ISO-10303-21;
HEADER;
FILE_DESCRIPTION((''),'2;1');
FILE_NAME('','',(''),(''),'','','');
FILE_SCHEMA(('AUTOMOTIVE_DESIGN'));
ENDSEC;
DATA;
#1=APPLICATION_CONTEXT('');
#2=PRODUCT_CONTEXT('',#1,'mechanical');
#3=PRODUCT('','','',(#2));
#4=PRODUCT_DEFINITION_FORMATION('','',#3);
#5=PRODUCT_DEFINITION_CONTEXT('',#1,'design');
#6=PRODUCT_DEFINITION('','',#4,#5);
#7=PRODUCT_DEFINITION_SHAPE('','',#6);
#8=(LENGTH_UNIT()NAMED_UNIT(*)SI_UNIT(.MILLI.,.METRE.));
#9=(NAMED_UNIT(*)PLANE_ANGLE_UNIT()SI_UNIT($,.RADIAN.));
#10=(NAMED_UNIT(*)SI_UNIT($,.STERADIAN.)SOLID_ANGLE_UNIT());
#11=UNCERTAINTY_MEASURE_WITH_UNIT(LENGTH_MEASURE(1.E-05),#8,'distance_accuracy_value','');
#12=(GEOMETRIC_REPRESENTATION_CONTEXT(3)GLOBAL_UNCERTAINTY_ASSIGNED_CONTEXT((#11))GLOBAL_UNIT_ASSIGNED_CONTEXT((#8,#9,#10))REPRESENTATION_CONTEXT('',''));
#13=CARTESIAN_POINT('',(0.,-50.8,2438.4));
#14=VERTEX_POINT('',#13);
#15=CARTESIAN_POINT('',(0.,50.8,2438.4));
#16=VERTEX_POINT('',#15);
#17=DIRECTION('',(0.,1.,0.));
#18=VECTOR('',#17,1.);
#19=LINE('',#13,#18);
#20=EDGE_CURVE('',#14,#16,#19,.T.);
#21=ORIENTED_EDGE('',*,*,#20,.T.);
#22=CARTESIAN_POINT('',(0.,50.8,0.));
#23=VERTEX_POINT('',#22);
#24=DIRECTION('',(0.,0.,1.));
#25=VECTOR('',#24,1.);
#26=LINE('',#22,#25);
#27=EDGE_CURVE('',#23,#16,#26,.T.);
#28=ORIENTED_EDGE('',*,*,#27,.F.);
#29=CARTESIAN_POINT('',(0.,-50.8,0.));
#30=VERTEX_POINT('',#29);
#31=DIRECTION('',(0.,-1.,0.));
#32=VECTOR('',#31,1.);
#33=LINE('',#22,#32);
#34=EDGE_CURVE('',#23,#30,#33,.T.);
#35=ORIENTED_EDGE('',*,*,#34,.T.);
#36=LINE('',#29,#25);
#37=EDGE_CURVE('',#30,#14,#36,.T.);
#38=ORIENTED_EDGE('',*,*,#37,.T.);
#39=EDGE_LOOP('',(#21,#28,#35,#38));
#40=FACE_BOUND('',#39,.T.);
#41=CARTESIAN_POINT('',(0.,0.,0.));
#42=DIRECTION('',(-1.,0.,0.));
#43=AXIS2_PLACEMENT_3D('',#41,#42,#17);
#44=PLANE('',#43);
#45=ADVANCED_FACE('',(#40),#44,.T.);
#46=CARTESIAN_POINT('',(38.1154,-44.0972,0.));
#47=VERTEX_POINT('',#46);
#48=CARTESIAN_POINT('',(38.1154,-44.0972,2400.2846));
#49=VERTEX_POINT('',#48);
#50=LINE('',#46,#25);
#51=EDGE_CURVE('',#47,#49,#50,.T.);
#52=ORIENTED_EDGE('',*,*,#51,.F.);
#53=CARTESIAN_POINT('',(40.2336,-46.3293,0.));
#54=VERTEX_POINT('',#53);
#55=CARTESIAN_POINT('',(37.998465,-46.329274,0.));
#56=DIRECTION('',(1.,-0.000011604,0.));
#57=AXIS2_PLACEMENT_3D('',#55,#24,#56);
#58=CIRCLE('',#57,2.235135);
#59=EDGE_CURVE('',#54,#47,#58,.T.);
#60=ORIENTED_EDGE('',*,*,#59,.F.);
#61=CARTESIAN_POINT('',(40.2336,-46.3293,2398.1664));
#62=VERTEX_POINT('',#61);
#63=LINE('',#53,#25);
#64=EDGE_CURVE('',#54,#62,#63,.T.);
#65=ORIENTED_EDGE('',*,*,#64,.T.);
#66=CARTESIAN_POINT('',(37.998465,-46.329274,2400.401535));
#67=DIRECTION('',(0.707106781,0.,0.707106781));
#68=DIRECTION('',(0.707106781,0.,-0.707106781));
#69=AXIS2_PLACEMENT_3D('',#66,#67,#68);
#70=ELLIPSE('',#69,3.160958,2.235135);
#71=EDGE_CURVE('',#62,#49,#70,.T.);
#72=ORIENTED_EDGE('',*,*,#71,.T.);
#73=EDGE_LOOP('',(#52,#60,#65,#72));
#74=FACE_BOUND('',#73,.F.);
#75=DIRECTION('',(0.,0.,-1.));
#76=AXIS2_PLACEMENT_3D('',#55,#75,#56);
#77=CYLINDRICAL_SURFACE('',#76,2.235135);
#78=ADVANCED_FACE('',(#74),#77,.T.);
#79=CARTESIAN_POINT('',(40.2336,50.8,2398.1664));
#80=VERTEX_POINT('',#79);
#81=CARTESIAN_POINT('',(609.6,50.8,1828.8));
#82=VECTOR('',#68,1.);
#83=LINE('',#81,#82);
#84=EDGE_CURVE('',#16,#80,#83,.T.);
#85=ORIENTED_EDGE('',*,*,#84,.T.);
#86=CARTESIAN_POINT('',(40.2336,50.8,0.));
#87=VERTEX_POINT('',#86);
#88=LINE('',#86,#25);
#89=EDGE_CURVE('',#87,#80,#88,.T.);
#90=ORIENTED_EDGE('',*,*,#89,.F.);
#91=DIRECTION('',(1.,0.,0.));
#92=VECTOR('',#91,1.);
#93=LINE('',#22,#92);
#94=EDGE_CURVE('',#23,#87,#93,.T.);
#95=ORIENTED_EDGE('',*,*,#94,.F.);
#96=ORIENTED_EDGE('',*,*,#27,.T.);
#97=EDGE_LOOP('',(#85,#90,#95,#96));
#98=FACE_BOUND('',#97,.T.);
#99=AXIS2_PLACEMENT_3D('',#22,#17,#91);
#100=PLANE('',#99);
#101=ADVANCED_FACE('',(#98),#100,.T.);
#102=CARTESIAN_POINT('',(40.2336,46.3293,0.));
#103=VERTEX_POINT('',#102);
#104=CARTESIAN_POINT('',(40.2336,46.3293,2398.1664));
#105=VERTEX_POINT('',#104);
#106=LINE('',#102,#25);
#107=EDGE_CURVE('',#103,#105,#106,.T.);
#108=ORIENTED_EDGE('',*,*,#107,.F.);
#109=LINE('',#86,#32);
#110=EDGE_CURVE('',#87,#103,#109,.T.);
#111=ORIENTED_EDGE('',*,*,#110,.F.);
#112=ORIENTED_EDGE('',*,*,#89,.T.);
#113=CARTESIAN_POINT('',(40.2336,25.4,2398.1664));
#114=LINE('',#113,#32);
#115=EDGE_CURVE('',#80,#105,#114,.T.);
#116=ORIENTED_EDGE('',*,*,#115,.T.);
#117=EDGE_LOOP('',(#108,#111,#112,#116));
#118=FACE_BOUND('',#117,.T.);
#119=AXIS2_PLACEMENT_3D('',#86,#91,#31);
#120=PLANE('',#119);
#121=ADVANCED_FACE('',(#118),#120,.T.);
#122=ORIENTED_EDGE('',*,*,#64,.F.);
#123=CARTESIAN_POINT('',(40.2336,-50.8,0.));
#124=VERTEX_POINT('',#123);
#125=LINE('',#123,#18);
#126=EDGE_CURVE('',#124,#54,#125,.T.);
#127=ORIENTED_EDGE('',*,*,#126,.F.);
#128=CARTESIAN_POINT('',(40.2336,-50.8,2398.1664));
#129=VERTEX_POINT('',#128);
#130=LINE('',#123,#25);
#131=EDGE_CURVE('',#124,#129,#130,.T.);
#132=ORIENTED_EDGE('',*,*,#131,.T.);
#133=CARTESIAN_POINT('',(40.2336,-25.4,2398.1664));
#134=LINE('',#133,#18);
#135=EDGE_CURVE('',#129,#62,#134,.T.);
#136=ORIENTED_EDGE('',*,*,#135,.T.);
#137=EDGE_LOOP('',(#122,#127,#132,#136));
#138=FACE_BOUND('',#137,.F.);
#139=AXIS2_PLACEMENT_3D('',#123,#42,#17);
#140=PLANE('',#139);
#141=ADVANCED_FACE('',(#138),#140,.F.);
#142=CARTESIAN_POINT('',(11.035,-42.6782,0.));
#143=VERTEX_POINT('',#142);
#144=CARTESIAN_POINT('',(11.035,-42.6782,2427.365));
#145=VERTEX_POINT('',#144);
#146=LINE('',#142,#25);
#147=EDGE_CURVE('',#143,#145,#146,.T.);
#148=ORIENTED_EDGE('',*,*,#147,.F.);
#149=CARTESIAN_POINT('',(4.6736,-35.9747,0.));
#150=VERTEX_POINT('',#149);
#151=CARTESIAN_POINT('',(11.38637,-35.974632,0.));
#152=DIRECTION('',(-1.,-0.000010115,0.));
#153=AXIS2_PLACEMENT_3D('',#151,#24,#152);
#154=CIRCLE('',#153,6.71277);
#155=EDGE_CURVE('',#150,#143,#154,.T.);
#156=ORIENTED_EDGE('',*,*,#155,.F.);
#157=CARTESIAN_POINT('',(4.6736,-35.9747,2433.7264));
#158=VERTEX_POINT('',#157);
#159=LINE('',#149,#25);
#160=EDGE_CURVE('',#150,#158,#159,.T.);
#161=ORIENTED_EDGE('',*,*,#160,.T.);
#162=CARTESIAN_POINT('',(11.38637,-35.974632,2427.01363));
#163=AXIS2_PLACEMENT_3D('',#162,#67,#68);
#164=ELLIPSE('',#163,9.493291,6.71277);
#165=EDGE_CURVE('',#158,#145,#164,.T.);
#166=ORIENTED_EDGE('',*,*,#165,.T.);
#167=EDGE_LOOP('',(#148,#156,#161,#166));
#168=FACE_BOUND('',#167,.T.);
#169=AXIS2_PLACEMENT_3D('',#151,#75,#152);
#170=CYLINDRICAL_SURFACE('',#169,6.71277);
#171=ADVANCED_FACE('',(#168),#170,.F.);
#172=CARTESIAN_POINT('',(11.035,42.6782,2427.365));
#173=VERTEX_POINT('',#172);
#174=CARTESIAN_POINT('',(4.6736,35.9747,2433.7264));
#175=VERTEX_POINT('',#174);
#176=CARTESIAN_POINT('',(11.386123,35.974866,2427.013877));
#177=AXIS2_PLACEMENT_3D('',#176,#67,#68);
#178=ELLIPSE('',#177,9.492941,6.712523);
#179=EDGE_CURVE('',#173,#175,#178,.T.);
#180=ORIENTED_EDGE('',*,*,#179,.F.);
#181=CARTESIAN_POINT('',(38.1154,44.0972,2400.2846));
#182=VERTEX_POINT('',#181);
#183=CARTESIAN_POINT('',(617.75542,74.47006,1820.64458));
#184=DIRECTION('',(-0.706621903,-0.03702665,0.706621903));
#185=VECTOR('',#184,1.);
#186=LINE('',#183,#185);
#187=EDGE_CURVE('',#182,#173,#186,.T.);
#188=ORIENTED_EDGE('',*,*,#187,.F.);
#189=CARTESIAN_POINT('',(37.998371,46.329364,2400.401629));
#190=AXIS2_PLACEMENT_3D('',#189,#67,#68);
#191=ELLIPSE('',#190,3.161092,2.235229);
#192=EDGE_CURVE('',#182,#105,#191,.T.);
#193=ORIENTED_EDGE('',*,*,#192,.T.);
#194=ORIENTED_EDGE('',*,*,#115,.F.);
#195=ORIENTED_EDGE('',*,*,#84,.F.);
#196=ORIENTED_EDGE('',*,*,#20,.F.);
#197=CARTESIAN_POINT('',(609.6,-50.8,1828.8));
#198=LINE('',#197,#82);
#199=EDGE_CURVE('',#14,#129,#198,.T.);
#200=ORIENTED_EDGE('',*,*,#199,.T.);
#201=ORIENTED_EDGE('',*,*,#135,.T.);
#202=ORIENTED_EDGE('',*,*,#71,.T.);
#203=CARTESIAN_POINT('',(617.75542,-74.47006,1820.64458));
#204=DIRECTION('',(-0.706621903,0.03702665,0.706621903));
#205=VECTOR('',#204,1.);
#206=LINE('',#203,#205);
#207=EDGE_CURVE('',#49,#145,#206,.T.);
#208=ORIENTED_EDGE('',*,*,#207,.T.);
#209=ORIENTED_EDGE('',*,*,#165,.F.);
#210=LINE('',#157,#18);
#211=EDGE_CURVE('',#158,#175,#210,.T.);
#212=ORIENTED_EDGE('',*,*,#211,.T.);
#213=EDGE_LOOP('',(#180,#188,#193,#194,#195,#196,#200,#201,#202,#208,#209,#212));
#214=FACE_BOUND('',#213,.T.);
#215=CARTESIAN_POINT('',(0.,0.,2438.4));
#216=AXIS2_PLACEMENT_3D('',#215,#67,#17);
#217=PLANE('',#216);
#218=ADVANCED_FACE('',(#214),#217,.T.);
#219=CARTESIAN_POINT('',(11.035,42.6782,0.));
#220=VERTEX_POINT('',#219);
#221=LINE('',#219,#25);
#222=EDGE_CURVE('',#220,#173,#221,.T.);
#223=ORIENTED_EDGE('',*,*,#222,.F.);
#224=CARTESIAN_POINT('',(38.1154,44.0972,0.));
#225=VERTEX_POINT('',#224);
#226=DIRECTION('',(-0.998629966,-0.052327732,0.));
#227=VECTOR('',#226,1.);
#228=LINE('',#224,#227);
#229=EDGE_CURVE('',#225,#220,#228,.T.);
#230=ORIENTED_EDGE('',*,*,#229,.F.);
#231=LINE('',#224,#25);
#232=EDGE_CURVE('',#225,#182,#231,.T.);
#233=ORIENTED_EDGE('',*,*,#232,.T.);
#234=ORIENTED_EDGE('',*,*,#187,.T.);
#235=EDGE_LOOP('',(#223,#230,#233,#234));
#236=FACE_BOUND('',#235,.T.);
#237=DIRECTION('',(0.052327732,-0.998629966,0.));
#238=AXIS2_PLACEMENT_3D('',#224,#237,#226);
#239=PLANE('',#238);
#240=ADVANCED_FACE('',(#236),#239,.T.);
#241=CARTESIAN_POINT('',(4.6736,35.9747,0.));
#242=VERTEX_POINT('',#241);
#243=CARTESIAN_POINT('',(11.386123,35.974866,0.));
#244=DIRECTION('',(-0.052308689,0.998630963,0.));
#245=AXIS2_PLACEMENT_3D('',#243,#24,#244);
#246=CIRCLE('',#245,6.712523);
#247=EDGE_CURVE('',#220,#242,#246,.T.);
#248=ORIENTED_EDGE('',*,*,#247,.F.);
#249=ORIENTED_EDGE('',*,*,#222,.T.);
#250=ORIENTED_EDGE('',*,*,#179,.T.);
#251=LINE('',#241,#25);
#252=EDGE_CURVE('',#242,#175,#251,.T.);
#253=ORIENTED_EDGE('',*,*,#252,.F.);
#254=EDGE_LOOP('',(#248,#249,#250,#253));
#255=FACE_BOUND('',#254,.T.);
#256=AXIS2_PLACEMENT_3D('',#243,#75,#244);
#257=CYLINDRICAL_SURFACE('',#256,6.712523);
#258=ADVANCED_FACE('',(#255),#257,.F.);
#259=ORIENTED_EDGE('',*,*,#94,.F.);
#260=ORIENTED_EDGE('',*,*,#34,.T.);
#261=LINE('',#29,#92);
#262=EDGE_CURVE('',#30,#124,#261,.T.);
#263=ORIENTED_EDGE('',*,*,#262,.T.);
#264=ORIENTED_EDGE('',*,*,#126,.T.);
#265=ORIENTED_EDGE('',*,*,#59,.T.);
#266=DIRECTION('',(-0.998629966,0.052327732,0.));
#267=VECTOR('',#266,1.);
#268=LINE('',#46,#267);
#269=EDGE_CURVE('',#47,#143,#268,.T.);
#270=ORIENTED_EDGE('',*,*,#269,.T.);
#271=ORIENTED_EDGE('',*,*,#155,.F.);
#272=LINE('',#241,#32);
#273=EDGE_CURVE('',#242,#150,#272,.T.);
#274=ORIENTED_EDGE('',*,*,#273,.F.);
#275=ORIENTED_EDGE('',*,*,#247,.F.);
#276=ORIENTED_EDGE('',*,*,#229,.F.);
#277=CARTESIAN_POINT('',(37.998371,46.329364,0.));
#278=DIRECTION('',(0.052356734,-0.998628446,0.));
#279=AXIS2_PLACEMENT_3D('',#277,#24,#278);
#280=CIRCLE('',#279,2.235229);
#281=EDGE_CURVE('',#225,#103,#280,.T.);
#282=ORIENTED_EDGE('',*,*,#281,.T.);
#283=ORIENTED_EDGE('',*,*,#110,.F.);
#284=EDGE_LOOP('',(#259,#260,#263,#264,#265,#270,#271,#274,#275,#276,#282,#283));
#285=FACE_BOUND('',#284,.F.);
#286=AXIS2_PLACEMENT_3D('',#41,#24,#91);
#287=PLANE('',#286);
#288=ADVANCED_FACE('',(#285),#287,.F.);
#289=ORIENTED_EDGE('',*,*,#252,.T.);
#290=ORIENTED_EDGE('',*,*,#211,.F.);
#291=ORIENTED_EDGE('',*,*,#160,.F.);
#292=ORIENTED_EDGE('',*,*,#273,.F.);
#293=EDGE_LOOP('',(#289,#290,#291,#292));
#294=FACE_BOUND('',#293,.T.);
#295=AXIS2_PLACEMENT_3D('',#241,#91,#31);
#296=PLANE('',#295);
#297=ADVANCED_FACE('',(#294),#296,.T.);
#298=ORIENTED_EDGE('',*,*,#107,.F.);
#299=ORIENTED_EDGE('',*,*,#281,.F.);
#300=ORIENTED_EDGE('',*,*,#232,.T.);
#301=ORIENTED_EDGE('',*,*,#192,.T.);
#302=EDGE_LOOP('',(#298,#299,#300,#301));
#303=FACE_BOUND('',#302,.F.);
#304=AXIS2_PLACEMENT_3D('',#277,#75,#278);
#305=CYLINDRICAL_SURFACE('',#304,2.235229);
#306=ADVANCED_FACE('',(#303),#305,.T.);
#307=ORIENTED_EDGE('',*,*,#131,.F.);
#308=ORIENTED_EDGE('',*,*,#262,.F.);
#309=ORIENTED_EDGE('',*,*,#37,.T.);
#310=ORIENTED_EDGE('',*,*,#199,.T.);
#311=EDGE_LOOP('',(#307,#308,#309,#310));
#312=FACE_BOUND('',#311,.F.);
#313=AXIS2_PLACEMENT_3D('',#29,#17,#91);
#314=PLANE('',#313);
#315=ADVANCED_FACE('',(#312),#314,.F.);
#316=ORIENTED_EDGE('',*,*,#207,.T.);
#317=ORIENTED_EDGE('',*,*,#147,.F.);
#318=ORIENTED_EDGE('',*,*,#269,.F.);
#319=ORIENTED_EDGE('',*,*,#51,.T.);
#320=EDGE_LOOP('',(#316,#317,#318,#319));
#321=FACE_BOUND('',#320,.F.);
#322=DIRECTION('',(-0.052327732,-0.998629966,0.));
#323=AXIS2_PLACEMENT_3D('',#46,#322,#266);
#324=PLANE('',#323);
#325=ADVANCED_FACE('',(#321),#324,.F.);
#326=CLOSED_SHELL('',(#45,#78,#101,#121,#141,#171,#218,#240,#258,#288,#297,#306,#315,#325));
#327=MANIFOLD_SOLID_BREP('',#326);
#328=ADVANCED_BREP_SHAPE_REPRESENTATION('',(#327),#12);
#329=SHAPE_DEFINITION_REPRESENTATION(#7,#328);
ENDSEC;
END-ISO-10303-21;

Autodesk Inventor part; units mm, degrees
ref_plane "Start plane" through (0, 0, 0) normal (0, 0, 1) x (1, 0, 0)
ref_plane "End plane" through (0, 0, 2438.4) normal (0, 0, 1) x (1, 0, 0)
sketch "Sketch" plane through (0, 0, 0) normal (0, 0, 1) x (1, 0, 0)
  line L0 (0, 0) -> (0, 50.8)
  line L1 (0, 50.8) -> (40.2336, 50.8)
  line L2 (40.2336, 50.8) -> (40.2336, 46.3293)
  line L3 (38.1154, 44.0972) -> (11.035, 42.6782)
  line L4 (4.6736, 35.9747) -> (4.6736, 0)
  line L5 (4.6736, 0) -> (0, 0) construction
  line L6 (22.5508, 50.8) -> (22.5508, 43.2816) construction
  line L7 (40.2336, 44.2082) -> (40.2336, 43.2816) construction
  line L8 (40.2336, 43.2816) -> (22.5508, 43.2816) construction
  line L9 (0, 15) -> (0, -27) construction
  line L10 (-5.539, 0) -> (16.0067, 0) construction
  line L11 (0, 0) -> (0, -50.8)
  line L12 (0, -50.8) -> (40.2336, -50.8)
  line L13 (40.2336, -50.8) -> (40.2336, -46.3293)
  line L14 (38.1154, -44.0972) -> (11.035, -42.6782)
  line L15 (4.6736, -35.9747) -> (4.6736, 0)
  arc A0 (11.035, 42.6782) -> (4.6736, 35.9747) centre (11.3862, 35.9747) ccw
  arc A1 (4.6736, -35.9747) -> (11.035, -42.6782) centre (11.3862, -35.9747) ccw
  arc A2 (38.1154, 44.0972) -> (40.2336, 46.3293) centre (37.9984, 46.3293) ccw
  arc A3 (40.2336, -46.3293) -> (38.1154, -44.0972) centre (37.9984, -46.3293) ccw
  line L16 (0, 71.12) -> (0, -71.12) construction
  line L17 (-14.7825, 0) -> (49.9224, 0) construction
  point P0 (4.6736, 42.3448)
  point P1 (40.2336, -44.2082)
  point P2 (4.6736, -42.3448)
  point P3 (22.5508, -50.8)
  point P4 (22.5508, -43.2816)
  dimension "d0" = 4.6736
  dimension "d1" = 50.8
  dimension "d2" = 40.2336
  dimension "d3" = 7.5184
  dimension "d4" = 17.6828
  dimension "d5" = 0.9266
  dimension "d25" = 0
  dimension "d28" = 6.7127
  dimension "d29" = 2.2352
extrude "Body" add sketch "Sketch" along normal up to surface (2438.4 mm away) from surface at 0
sketch "Sketch3" plane through (0, 0, 0) normal (0, 0, 1) x (1, 0, 0)
  line L0 (0, 0) -> (10, 0)
ref_plane "Work Plane3" through (0, 0, 0) normal (0, -1, 0) x (1, 0, 0)
sketch "Sketch4" plane through (0, 0, 0) normal (0, -1, 0) x (1, 0, 0)
  line L0 (-2, 0) -> (12, 0)
  line L1 (-2, 2438.4) -> (12, 2438.4)
  dimension "d31" = 2438.4
ref_plane "Work Plane4" through (0, 0, 2438.4) normal (0.7071, 0, 0.7071) x (0.7071, 0, -0.7071)
split "Split1" plane through (0, 0, 2438.4) removes the side toward (0.7071, 0, 0.7071)
equation "\"d0\" = G_T"
equation "\"d1\" = 0.5 * G_H"
equation "\"d2\" = G_W"
equation "\"d3\" = G_T1"
equation "\"d4\" = G_C"
equation "\"d28\" = G_IR"
equation "\"d29\" = G_ER"
equation "\"d6\" = G_L"
equation "\"G_W\" = 40.2336"
equation "\"G_H\" = 101.6"
equation "\"G_T\" = 4.6736"
equation "\"G_T1\" = 7.5184"
equation "\"G_NG\" = 0.0524"
equation "\"G_ER\" = 2.2352"
equation "\"G_IR\" = 6.71265"
equation "\"G_C\" = 17.68285"
equation "\"G_L\" = d31"
equation "\"ex\" = 0"
equation "\"G_OFFSET_START\" = 0"
equation "\"G_OFFSET_END\" = 0"
equation "\"d27\" = G_OFFSET_END + B_L"
equation "\"B_L\" = 2438.4"
properties part number "AISC - C 4 x 5.4 - 96" material "Steel, Mild"
